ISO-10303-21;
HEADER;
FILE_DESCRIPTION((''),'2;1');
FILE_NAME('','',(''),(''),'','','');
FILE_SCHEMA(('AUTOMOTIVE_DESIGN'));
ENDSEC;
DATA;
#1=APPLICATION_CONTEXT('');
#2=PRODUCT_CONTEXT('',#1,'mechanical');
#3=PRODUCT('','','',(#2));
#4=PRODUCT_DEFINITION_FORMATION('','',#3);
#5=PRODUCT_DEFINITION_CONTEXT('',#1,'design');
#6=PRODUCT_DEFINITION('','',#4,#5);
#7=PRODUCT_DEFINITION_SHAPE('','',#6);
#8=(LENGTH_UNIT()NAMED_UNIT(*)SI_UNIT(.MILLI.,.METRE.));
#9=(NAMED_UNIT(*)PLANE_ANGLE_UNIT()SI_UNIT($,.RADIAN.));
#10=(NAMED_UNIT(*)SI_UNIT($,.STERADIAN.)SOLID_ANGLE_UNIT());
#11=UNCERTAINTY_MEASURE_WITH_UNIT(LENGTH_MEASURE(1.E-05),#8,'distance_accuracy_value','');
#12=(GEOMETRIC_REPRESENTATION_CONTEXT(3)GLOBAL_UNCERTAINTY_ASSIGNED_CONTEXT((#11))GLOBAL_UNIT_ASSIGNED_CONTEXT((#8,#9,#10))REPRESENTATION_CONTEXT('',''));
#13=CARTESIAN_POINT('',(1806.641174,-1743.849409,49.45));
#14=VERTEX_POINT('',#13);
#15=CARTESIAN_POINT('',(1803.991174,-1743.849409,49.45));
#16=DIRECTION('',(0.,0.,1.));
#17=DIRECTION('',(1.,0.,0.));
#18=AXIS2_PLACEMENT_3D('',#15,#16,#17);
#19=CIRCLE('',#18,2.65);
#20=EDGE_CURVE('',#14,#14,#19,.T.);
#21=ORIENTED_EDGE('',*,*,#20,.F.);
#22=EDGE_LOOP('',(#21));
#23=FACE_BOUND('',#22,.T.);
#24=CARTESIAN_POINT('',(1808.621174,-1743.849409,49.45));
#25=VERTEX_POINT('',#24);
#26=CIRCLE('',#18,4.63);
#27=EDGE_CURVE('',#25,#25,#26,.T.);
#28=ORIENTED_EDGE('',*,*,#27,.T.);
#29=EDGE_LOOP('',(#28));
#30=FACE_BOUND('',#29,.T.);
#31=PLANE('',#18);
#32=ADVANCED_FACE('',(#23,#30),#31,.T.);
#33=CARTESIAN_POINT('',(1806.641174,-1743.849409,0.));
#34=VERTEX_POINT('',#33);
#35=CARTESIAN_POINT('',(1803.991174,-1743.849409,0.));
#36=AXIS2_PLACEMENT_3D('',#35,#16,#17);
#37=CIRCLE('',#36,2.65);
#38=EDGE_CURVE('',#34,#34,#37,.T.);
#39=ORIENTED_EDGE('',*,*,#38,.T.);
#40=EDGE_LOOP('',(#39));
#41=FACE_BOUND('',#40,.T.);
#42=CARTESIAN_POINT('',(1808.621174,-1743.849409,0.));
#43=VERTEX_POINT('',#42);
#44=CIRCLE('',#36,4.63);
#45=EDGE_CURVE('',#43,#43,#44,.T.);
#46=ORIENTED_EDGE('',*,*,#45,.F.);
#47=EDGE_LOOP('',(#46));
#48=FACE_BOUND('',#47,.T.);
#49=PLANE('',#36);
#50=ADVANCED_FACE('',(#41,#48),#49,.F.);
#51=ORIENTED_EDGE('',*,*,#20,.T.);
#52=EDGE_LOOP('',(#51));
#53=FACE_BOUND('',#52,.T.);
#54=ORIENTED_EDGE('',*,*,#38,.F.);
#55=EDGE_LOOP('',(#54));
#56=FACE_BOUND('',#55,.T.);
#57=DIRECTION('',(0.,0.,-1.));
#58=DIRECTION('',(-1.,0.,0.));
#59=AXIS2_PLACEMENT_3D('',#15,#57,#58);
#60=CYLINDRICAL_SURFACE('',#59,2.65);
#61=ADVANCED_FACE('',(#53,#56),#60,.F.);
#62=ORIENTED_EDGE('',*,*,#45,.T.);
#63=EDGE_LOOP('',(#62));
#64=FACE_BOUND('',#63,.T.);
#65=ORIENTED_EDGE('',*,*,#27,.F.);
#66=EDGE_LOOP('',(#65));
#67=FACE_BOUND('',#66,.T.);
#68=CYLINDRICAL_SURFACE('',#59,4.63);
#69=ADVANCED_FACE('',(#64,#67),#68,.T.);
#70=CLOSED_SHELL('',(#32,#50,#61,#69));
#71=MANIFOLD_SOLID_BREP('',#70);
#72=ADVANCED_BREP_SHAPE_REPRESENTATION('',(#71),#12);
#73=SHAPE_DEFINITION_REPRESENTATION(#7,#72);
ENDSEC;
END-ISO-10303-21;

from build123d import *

# Parameters (mm, degrees)
SKETCH1_R           = 4.63
SKETCH1_R_2         = 2.65
BOSS_EXTRUDE1_DEPTH = 49.45


with BuildPart() as part:
    # Sketch1 → Boss-Extrude1 (new body)
    with BuildSketch(Plane.XY):
        with Locations((1803.99117355, -1743.849409116)):
            Circle(SKETCH1_R)
        with Locations((1803.99117355, -1743.849409116)):
            Circle(SKETCH1_R_2, mode=Mode.SUBTRACT)
    extrude(amount=BOSS_EXTRUDE1_DEPTH)


solid = part.part
